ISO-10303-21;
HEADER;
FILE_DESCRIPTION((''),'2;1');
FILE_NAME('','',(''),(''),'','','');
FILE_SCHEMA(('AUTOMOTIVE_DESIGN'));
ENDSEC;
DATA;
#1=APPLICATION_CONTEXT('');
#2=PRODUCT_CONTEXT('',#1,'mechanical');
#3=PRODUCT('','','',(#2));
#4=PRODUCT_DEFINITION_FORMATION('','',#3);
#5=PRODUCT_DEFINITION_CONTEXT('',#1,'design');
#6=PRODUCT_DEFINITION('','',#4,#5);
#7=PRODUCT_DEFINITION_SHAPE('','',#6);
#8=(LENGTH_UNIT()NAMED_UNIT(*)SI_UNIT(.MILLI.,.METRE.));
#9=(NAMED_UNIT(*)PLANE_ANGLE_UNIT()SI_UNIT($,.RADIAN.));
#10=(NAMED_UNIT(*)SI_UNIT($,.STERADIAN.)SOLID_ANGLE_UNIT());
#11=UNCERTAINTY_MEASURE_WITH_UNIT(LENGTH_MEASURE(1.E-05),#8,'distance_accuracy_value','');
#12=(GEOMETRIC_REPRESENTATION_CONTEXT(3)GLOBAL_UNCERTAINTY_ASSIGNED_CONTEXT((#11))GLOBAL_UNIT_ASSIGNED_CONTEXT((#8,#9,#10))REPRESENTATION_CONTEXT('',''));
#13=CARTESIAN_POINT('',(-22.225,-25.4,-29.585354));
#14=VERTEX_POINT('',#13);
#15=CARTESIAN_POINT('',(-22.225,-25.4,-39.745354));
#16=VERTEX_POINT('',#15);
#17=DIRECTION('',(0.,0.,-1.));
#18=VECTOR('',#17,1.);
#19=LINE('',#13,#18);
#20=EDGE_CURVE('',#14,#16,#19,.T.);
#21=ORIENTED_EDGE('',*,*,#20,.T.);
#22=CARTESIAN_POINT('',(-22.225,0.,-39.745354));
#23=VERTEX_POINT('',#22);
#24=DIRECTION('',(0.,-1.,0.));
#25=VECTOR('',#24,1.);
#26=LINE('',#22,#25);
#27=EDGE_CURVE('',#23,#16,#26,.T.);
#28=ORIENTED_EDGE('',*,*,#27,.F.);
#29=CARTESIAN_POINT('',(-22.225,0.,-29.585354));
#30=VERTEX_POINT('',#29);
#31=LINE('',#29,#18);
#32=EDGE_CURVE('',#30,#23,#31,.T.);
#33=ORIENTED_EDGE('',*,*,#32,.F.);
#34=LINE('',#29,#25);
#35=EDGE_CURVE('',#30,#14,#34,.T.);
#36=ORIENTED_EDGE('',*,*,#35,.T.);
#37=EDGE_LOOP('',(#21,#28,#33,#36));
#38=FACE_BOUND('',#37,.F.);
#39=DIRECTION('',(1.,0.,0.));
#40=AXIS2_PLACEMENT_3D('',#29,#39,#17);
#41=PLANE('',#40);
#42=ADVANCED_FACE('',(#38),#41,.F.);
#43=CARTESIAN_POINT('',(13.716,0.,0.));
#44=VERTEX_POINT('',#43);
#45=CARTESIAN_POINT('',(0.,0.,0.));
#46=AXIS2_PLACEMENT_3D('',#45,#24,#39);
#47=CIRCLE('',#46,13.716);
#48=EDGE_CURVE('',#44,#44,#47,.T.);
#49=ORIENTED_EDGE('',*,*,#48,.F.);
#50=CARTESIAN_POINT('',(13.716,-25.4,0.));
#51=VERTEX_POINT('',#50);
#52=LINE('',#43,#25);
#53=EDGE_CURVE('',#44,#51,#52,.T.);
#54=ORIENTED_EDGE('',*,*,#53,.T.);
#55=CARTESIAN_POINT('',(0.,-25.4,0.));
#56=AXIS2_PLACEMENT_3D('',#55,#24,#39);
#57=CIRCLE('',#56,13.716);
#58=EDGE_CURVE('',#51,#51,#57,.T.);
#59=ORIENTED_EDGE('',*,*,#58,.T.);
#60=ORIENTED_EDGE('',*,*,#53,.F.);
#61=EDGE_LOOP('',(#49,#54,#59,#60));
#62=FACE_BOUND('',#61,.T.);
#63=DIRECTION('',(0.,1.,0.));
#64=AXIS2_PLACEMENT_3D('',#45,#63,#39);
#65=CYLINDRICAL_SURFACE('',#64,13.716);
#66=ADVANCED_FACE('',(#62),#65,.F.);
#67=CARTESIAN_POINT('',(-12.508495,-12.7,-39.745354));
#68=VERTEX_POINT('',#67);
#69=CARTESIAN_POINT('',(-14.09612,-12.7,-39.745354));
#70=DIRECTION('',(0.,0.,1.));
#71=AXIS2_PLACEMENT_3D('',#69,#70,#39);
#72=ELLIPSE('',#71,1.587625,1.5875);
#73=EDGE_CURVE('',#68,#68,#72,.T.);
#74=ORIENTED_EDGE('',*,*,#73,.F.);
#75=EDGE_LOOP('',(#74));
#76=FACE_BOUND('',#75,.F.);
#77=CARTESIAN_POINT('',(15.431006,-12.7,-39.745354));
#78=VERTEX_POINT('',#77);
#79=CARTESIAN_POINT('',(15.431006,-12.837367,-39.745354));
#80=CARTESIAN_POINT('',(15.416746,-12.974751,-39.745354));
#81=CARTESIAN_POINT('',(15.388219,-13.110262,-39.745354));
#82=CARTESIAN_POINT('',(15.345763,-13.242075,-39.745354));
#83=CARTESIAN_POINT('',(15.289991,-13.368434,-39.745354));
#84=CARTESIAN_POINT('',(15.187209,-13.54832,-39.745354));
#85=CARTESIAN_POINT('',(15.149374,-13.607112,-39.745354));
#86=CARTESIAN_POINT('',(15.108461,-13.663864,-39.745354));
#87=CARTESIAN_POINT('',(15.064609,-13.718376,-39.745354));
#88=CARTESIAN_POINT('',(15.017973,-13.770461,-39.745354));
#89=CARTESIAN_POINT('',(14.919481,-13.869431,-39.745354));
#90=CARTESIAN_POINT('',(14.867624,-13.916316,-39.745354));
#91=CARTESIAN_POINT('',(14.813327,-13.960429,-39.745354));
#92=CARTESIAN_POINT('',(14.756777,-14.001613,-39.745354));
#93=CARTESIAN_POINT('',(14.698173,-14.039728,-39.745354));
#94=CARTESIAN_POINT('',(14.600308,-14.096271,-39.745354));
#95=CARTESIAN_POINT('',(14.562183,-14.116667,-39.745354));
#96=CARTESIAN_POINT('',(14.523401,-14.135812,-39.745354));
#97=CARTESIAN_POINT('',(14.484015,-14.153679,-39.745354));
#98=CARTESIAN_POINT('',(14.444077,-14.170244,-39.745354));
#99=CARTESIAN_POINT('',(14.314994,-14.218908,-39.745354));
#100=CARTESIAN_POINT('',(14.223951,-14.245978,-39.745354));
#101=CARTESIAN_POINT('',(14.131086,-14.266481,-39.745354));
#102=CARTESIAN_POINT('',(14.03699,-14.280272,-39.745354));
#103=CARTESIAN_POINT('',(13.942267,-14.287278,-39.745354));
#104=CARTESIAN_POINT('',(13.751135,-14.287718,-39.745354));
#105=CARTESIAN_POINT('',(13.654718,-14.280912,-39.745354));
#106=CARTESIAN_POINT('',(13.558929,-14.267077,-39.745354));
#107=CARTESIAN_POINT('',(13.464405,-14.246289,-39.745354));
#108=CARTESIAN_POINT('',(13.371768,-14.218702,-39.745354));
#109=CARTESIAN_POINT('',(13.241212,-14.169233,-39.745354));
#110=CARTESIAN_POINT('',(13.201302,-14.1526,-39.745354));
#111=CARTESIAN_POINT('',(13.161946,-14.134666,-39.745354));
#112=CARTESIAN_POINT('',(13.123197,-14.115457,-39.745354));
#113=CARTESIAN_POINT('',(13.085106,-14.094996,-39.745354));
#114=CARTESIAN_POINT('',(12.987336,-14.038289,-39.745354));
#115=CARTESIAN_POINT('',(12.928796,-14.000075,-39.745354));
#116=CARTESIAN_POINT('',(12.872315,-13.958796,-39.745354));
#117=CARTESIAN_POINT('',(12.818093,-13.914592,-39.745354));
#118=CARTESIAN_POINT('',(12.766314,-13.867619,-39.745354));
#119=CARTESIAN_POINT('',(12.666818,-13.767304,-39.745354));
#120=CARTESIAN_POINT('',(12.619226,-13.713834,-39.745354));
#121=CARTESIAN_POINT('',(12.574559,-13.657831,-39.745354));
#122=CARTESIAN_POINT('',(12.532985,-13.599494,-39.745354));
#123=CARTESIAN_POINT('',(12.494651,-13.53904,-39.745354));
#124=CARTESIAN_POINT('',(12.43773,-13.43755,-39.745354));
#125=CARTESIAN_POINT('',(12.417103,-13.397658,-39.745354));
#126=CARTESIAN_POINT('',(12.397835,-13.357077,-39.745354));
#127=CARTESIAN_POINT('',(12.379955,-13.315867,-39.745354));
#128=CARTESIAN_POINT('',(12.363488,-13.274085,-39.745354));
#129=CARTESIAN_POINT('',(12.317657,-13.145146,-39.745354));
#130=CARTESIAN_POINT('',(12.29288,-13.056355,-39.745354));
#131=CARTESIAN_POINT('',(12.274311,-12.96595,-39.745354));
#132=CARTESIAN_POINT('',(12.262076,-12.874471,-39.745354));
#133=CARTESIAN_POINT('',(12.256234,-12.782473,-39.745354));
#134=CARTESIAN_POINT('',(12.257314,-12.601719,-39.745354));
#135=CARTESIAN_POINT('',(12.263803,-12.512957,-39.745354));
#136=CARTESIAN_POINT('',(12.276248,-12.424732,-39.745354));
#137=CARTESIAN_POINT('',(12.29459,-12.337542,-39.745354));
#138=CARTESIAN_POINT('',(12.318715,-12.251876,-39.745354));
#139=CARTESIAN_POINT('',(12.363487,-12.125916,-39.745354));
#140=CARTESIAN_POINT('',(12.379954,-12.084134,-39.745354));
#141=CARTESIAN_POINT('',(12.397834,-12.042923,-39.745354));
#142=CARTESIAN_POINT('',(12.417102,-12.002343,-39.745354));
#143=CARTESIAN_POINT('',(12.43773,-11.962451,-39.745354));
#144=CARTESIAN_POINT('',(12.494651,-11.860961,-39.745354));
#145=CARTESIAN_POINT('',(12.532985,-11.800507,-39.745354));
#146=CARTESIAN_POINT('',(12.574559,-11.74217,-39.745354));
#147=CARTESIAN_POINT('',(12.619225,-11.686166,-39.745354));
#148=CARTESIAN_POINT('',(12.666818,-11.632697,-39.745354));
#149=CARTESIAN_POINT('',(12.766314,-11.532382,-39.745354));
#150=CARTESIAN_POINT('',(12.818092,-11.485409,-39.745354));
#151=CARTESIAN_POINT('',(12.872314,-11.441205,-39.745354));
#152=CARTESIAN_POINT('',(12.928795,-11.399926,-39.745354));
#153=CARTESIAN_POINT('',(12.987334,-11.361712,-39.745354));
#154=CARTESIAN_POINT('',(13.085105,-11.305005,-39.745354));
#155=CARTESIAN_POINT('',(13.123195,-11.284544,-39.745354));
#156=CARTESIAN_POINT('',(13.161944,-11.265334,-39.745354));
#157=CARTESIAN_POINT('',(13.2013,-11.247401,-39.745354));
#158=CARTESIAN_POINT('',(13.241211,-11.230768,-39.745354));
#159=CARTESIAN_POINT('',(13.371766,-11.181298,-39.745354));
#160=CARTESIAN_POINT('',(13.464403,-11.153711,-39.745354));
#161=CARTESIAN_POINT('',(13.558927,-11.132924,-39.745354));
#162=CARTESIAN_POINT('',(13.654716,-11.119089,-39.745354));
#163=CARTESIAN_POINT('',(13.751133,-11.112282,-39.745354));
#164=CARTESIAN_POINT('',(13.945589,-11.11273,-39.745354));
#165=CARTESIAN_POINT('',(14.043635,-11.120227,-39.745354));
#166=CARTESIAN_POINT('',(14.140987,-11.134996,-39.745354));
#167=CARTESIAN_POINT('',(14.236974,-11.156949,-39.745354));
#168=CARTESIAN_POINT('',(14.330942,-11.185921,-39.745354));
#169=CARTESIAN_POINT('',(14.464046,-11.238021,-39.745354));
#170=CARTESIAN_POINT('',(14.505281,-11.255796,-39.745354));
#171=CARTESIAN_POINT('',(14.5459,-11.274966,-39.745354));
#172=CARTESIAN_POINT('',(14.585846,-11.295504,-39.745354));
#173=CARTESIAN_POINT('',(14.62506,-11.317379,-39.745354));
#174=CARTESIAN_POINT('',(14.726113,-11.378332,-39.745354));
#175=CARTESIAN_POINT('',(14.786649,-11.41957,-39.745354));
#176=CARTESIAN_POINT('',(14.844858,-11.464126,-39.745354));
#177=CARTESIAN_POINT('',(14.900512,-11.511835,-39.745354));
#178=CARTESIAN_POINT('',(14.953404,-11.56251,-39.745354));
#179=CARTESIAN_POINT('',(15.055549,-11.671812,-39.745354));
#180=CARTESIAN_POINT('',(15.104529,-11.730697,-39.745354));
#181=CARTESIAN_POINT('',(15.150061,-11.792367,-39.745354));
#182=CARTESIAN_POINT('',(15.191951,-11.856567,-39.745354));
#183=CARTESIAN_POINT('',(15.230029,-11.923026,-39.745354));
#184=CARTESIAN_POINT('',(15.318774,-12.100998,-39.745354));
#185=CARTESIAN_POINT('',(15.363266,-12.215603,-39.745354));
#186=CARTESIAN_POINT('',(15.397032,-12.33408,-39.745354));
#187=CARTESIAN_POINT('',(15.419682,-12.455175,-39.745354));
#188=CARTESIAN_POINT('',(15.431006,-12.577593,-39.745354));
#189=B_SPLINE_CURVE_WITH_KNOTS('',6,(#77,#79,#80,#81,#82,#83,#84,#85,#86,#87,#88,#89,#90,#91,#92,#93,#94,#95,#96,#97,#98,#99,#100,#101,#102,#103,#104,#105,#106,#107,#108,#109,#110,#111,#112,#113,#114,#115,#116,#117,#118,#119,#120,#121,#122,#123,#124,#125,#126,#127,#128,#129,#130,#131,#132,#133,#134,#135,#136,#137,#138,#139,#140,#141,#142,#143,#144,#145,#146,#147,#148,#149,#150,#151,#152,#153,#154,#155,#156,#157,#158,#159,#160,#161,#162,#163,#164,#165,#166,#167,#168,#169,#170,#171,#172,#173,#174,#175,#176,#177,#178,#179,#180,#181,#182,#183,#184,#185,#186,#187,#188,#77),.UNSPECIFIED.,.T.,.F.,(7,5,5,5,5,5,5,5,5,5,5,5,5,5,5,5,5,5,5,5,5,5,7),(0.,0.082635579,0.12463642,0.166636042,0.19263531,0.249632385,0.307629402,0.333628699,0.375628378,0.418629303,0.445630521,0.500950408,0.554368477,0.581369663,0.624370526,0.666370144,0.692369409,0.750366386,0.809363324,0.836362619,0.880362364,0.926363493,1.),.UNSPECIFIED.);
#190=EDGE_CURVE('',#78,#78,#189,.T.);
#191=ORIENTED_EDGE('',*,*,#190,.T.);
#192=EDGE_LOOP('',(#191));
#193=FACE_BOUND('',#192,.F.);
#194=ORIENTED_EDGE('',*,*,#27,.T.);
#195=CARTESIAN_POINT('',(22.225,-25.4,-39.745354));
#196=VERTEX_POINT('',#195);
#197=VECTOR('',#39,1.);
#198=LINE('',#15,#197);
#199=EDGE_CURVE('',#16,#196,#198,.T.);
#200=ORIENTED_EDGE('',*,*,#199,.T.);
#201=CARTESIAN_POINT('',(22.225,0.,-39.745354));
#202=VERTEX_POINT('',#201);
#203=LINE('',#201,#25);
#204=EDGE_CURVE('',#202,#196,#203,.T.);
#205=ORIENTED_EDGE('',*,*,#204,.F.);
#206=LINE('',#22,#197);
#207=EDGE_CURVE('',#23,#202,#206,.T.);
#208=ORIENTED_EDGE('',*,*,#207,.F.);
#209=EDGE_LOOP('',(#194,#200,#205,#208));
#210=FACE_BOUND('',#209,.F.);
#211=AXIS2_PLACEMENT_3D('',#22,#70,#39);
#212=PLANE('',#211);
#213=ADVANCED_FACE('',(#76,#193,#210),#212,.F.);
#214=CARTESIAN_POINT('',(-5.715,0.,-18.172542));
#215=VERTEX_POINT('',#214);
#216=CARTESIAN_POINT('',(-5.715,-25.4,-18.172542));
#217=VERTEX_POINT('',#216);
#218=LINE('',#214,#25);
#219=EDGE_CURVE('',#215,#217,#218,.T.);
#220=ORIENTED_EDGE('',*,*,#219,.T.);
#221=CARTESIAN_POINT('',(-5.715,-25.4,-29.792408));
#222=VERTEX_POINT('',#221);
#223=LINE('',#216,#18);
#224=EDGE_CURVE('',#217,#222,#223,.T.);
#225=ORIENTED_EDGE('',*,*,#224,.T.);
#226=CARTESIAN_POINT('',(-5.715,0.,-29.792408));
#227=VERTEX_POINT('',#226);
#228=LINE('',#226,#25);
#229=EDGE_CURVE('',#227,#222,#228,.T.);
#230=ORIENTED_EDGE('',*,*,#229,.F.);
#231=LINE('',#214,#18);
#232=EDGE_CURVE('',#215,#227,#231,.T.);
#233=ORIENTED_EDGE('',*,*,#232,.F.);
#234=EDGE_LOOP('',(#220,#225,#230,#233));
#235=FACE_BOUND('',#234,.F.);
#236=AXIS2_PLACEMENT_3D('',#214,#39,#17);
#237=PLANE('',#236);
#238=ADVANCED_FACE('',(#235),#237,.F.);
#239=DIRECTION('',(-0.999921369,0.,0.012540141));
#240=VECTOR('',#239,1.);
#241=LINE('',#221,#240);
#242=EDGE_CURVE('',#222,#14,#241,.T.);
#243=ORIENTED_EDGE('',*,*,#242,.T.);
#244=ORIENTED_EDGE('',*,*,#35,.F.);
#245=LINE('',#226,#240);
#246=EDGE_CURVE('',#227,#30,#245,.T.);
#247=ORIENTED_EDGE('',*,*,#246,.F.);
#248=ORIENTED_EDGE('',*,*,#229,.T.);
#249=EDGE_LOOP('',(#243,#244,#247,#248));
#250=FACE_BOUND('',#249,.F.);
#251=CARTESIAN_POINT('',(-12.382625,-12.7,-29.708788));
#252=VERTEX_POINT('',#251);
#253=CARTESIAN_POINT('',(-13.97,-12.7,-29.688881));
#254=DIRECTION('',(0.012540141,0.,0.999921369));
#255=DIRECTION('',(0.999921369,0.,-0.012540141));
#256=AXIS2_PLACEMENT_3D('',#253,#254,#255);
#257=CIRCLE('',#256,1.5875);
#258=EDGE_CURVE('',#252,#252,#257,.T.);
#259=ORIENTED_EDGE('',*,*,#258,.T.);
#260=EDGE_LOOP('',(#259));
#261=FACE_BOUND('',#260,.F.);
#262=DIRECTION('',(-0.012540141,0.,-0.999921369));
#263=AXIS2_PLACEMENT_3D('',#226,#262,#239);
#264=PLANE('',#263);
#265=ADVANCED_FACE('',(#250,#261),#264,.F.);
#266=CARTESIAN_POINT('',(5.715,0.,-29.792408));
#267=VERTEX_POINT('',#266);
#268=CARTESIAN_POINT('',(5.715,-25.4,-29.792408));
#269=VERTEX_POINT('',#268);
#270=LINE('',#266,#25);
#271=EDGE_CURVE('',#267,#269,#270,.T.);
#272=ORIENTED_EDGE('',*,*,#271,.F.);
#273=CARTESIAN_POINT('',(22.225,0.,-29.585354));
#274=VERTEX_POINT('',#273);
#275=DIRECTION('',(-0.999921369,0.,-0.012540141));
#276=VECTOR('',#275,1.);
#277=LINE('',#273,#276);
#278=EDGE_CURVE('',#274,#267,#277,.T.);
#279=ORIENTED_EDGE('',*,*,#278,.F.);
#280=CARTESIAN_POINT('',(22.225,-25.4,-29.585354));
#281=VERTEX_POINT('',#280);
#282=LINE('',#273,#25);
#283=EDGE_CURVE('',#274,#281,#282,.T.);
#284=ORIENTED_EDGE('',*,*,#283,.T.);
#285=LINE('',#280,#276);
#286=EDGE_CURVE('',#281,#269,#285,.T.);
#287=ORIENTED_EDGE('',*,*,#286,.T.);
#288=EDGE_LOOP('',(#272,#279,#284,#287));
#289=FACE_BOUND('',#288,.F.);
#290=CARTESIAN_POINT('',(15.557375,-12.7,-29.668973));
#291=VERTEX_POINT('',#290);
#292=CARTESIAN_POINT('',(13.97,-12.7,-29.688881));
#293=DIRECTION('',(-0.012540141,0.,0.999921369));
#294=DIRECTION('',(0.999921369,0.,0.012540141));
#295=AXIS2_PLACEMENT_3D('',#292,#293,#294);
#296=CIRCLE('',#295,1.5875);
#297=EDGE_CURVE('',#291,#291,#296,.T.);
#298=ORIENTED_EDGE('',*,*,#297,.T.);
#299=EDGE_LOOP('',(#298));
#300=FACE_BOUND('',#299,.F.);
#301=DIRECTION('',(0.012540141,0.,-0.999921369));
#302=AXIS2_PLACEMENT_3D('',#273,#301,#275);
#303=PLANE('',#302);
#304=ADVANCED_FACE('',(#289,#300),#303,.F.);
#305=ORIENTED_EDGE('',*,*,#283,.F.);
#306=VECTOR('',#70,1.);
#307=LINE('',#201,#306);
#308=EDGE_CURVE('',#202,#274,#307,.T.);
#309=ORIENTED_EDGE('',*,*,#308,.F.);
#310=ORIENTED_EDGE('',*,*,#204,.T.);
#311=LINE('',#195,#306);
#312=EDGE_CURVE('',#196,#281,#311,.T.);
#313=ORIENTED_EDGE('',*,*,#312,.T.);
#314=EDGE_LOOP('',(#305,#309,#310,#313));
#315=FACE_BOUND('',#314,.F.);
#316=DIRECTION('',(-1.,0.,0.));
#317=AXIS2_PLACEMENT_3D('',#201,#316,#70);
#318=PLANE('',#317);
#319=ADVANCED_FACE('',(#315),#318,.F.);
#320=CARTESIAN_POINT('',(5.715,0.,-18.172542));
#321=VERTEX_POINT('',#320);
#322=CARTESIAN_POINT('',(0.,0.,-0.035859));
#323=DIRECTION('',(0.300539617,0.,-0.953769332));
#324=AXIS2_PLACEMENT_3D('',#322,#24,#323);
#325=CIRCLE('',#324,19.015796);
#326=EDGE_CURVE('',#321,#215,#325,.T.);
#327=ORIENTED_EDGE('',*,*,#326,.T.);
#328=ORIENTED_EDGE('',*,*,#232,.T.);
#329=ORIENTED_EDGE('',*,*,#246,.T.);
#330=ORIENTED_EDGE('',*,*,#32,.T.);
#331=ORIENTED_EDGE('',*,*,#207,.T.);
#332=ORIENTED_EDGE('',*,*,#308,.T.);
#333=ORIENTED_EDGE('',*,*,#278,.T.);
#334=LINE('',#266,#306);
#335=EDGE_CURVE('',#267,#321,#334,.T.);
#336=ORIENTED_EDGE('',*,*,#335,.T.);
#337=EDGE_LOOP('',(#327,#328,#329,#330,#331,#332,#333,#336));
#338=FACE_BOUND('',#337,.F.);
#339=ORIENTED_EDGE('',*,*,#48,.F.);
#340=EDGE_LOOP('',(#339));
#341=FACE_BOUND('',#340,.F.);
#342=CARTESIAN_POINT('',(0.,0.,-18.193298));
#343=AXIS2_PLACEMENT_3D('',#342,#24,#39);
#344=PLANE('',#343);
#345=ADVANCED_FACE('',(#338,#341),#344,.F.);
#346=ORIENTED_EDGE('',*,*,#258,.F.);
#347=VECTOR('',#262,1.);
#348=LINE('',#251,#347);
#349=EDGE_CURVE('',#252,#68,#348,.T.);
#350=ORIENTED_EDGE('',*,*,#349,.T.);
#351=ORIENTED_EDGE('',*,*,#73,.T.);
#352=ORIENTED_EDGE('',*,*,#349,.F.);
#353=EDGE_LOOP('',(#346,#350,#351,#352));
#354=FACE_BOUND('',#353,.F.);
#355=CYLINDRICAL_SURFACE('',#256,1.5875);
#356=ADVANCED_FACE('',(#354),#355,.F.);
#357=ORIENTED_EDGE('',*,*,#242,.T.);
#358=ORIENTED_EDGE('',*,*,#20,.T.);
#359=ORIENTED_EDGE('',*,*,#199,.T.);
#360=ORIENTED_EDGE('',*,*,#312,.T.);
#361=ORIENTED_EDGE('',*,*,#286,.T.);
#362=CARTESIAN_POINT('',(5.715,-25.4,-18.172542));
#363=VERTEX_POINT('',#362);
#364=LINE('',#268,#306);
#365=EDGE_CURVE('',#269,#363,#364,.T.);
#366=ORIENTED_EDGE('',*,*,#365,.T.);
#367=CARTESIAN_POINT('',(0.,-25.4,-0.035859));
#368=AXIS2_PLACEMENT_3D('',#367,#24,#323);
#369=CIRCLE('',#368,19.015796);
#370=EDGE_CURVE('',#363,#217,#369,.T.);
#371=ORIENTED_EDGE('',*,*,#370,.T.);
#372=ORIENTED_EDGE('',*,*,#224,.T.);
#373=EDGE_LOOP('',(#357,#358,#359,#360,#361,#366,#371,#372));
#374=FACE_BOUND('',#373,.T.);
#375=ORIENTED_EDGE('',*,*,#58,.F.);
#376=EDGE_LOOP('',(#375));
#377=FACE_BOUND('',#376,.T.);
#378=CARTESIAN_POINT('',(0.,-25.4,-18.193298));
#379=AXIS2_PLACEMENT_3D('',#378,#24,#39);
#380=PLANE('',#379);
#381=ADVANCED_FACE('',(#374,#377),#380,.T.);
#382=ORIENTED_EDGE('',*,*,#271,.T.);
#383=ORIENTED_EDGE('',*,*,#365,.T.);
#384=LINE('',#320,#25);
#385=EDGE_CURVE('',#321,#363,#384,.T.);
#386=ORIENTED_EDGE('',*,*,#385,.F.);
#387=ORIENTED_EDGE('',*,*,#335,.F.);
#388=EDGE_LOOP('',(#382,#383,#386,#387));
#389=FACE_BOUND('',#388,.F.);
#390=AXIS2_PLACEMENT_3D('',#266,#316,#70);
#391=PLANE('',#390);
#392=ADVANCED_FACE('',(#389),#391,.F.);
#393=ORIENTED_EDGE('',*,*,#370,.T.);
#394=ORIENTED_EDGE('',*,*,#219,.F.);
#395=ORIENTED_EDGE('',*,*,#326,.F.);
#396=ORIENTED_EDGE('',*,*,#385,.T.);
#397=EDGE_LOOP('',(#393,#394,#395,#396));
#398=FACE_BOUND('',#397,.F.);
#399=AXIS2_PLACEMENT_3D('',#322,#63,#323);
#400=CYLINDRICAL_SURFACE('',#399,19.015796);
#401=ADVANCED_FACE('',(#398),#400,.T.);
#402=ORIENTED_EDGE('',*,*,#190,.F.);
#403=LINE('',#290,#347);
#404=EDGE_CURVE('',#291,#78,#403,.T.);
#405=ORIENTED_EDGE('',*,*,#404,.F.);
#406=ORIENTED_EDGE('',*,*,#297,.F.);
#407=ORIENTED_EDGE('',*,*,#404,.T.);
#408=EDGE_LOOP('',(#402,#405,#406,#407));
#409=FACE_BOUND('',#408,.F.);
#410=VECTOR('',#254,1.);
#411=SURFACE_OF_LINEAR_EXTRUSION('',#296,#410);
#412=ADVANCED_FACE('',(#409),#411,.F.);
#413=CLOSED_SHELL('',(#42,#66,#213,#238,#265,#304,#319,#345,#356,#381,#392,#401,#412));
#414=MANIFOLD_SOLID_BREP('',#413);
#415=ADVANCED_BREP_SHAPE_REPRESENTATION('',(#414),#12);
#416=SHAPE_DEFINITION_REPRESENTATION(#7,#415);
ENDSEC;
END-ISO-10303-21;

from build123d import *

# Parameters (mm, degrees)
F0_R     = 13.716
F1_DEPTH = 25.4
F3_R     = 1.5875
F2_R     = 1.5875
F4_DEPTH = 25.4


with BuildPart() as f1:
    # F0 (on Front) → F1 (new body)
    with BuildSketch(Plane.XZ):
        with BuildLine():
            Line((5.715, -29.7924076074), (5.715, -18.172541787))
            ThreePointArc((5.715, -18.172541787), (0, 18.9799369156), (-5.715, -18.172541787))
            Line((-5.715, -18.172541787), (-5.715, -29.7924076074))
            Line((-5.715, -29.7924076074), (-22.225, -29.5853535962))
            Line((-22.225, -29.5853535962), (-22.225, -39.7453535962))
            Line((-22.225, -39.7453535962), (22.225, -39.7453535962))
            Line((22.225, -39.7453535962), (22.225, -29.5853535962))
            Line((22.225, -29.5853535962), (5.715, -29.7924076074))
        make_face()
        Circle(F0_R, mode=Mode.SUBTRACT)
    extrude(amount=F1_DEPTH)

    # F3 (on face) + F2 (on face) → F4 (cut)
    with BuildSketch(Plane(origin=(-0.3744703333, 0, -29.8593838697), x_dir=(0.9999213693, 0, -0.0125401412), z_dir=(0.0125401412, 0, 0.9999213693))):
        with Locations((-13.5965987763, -12.7)):
            Circle(F3_R)
    with BuildSketch(Plane(origin=(0.3744703333, 0, -29.8593838697), x_dir=(0.9999213693, 0, 0.0125401412), z_dir=(-0.0125401412, 0, 0.9999213693))):
        with Locations((13.5965987763, -12.7)):
            Circle(F2_R)
    extrude(amount=-F4_DEPTH, dir=(0.0125401412, 0, 0.9999213693), mode=Mode.SUBTRACT)


solid = f1.part
